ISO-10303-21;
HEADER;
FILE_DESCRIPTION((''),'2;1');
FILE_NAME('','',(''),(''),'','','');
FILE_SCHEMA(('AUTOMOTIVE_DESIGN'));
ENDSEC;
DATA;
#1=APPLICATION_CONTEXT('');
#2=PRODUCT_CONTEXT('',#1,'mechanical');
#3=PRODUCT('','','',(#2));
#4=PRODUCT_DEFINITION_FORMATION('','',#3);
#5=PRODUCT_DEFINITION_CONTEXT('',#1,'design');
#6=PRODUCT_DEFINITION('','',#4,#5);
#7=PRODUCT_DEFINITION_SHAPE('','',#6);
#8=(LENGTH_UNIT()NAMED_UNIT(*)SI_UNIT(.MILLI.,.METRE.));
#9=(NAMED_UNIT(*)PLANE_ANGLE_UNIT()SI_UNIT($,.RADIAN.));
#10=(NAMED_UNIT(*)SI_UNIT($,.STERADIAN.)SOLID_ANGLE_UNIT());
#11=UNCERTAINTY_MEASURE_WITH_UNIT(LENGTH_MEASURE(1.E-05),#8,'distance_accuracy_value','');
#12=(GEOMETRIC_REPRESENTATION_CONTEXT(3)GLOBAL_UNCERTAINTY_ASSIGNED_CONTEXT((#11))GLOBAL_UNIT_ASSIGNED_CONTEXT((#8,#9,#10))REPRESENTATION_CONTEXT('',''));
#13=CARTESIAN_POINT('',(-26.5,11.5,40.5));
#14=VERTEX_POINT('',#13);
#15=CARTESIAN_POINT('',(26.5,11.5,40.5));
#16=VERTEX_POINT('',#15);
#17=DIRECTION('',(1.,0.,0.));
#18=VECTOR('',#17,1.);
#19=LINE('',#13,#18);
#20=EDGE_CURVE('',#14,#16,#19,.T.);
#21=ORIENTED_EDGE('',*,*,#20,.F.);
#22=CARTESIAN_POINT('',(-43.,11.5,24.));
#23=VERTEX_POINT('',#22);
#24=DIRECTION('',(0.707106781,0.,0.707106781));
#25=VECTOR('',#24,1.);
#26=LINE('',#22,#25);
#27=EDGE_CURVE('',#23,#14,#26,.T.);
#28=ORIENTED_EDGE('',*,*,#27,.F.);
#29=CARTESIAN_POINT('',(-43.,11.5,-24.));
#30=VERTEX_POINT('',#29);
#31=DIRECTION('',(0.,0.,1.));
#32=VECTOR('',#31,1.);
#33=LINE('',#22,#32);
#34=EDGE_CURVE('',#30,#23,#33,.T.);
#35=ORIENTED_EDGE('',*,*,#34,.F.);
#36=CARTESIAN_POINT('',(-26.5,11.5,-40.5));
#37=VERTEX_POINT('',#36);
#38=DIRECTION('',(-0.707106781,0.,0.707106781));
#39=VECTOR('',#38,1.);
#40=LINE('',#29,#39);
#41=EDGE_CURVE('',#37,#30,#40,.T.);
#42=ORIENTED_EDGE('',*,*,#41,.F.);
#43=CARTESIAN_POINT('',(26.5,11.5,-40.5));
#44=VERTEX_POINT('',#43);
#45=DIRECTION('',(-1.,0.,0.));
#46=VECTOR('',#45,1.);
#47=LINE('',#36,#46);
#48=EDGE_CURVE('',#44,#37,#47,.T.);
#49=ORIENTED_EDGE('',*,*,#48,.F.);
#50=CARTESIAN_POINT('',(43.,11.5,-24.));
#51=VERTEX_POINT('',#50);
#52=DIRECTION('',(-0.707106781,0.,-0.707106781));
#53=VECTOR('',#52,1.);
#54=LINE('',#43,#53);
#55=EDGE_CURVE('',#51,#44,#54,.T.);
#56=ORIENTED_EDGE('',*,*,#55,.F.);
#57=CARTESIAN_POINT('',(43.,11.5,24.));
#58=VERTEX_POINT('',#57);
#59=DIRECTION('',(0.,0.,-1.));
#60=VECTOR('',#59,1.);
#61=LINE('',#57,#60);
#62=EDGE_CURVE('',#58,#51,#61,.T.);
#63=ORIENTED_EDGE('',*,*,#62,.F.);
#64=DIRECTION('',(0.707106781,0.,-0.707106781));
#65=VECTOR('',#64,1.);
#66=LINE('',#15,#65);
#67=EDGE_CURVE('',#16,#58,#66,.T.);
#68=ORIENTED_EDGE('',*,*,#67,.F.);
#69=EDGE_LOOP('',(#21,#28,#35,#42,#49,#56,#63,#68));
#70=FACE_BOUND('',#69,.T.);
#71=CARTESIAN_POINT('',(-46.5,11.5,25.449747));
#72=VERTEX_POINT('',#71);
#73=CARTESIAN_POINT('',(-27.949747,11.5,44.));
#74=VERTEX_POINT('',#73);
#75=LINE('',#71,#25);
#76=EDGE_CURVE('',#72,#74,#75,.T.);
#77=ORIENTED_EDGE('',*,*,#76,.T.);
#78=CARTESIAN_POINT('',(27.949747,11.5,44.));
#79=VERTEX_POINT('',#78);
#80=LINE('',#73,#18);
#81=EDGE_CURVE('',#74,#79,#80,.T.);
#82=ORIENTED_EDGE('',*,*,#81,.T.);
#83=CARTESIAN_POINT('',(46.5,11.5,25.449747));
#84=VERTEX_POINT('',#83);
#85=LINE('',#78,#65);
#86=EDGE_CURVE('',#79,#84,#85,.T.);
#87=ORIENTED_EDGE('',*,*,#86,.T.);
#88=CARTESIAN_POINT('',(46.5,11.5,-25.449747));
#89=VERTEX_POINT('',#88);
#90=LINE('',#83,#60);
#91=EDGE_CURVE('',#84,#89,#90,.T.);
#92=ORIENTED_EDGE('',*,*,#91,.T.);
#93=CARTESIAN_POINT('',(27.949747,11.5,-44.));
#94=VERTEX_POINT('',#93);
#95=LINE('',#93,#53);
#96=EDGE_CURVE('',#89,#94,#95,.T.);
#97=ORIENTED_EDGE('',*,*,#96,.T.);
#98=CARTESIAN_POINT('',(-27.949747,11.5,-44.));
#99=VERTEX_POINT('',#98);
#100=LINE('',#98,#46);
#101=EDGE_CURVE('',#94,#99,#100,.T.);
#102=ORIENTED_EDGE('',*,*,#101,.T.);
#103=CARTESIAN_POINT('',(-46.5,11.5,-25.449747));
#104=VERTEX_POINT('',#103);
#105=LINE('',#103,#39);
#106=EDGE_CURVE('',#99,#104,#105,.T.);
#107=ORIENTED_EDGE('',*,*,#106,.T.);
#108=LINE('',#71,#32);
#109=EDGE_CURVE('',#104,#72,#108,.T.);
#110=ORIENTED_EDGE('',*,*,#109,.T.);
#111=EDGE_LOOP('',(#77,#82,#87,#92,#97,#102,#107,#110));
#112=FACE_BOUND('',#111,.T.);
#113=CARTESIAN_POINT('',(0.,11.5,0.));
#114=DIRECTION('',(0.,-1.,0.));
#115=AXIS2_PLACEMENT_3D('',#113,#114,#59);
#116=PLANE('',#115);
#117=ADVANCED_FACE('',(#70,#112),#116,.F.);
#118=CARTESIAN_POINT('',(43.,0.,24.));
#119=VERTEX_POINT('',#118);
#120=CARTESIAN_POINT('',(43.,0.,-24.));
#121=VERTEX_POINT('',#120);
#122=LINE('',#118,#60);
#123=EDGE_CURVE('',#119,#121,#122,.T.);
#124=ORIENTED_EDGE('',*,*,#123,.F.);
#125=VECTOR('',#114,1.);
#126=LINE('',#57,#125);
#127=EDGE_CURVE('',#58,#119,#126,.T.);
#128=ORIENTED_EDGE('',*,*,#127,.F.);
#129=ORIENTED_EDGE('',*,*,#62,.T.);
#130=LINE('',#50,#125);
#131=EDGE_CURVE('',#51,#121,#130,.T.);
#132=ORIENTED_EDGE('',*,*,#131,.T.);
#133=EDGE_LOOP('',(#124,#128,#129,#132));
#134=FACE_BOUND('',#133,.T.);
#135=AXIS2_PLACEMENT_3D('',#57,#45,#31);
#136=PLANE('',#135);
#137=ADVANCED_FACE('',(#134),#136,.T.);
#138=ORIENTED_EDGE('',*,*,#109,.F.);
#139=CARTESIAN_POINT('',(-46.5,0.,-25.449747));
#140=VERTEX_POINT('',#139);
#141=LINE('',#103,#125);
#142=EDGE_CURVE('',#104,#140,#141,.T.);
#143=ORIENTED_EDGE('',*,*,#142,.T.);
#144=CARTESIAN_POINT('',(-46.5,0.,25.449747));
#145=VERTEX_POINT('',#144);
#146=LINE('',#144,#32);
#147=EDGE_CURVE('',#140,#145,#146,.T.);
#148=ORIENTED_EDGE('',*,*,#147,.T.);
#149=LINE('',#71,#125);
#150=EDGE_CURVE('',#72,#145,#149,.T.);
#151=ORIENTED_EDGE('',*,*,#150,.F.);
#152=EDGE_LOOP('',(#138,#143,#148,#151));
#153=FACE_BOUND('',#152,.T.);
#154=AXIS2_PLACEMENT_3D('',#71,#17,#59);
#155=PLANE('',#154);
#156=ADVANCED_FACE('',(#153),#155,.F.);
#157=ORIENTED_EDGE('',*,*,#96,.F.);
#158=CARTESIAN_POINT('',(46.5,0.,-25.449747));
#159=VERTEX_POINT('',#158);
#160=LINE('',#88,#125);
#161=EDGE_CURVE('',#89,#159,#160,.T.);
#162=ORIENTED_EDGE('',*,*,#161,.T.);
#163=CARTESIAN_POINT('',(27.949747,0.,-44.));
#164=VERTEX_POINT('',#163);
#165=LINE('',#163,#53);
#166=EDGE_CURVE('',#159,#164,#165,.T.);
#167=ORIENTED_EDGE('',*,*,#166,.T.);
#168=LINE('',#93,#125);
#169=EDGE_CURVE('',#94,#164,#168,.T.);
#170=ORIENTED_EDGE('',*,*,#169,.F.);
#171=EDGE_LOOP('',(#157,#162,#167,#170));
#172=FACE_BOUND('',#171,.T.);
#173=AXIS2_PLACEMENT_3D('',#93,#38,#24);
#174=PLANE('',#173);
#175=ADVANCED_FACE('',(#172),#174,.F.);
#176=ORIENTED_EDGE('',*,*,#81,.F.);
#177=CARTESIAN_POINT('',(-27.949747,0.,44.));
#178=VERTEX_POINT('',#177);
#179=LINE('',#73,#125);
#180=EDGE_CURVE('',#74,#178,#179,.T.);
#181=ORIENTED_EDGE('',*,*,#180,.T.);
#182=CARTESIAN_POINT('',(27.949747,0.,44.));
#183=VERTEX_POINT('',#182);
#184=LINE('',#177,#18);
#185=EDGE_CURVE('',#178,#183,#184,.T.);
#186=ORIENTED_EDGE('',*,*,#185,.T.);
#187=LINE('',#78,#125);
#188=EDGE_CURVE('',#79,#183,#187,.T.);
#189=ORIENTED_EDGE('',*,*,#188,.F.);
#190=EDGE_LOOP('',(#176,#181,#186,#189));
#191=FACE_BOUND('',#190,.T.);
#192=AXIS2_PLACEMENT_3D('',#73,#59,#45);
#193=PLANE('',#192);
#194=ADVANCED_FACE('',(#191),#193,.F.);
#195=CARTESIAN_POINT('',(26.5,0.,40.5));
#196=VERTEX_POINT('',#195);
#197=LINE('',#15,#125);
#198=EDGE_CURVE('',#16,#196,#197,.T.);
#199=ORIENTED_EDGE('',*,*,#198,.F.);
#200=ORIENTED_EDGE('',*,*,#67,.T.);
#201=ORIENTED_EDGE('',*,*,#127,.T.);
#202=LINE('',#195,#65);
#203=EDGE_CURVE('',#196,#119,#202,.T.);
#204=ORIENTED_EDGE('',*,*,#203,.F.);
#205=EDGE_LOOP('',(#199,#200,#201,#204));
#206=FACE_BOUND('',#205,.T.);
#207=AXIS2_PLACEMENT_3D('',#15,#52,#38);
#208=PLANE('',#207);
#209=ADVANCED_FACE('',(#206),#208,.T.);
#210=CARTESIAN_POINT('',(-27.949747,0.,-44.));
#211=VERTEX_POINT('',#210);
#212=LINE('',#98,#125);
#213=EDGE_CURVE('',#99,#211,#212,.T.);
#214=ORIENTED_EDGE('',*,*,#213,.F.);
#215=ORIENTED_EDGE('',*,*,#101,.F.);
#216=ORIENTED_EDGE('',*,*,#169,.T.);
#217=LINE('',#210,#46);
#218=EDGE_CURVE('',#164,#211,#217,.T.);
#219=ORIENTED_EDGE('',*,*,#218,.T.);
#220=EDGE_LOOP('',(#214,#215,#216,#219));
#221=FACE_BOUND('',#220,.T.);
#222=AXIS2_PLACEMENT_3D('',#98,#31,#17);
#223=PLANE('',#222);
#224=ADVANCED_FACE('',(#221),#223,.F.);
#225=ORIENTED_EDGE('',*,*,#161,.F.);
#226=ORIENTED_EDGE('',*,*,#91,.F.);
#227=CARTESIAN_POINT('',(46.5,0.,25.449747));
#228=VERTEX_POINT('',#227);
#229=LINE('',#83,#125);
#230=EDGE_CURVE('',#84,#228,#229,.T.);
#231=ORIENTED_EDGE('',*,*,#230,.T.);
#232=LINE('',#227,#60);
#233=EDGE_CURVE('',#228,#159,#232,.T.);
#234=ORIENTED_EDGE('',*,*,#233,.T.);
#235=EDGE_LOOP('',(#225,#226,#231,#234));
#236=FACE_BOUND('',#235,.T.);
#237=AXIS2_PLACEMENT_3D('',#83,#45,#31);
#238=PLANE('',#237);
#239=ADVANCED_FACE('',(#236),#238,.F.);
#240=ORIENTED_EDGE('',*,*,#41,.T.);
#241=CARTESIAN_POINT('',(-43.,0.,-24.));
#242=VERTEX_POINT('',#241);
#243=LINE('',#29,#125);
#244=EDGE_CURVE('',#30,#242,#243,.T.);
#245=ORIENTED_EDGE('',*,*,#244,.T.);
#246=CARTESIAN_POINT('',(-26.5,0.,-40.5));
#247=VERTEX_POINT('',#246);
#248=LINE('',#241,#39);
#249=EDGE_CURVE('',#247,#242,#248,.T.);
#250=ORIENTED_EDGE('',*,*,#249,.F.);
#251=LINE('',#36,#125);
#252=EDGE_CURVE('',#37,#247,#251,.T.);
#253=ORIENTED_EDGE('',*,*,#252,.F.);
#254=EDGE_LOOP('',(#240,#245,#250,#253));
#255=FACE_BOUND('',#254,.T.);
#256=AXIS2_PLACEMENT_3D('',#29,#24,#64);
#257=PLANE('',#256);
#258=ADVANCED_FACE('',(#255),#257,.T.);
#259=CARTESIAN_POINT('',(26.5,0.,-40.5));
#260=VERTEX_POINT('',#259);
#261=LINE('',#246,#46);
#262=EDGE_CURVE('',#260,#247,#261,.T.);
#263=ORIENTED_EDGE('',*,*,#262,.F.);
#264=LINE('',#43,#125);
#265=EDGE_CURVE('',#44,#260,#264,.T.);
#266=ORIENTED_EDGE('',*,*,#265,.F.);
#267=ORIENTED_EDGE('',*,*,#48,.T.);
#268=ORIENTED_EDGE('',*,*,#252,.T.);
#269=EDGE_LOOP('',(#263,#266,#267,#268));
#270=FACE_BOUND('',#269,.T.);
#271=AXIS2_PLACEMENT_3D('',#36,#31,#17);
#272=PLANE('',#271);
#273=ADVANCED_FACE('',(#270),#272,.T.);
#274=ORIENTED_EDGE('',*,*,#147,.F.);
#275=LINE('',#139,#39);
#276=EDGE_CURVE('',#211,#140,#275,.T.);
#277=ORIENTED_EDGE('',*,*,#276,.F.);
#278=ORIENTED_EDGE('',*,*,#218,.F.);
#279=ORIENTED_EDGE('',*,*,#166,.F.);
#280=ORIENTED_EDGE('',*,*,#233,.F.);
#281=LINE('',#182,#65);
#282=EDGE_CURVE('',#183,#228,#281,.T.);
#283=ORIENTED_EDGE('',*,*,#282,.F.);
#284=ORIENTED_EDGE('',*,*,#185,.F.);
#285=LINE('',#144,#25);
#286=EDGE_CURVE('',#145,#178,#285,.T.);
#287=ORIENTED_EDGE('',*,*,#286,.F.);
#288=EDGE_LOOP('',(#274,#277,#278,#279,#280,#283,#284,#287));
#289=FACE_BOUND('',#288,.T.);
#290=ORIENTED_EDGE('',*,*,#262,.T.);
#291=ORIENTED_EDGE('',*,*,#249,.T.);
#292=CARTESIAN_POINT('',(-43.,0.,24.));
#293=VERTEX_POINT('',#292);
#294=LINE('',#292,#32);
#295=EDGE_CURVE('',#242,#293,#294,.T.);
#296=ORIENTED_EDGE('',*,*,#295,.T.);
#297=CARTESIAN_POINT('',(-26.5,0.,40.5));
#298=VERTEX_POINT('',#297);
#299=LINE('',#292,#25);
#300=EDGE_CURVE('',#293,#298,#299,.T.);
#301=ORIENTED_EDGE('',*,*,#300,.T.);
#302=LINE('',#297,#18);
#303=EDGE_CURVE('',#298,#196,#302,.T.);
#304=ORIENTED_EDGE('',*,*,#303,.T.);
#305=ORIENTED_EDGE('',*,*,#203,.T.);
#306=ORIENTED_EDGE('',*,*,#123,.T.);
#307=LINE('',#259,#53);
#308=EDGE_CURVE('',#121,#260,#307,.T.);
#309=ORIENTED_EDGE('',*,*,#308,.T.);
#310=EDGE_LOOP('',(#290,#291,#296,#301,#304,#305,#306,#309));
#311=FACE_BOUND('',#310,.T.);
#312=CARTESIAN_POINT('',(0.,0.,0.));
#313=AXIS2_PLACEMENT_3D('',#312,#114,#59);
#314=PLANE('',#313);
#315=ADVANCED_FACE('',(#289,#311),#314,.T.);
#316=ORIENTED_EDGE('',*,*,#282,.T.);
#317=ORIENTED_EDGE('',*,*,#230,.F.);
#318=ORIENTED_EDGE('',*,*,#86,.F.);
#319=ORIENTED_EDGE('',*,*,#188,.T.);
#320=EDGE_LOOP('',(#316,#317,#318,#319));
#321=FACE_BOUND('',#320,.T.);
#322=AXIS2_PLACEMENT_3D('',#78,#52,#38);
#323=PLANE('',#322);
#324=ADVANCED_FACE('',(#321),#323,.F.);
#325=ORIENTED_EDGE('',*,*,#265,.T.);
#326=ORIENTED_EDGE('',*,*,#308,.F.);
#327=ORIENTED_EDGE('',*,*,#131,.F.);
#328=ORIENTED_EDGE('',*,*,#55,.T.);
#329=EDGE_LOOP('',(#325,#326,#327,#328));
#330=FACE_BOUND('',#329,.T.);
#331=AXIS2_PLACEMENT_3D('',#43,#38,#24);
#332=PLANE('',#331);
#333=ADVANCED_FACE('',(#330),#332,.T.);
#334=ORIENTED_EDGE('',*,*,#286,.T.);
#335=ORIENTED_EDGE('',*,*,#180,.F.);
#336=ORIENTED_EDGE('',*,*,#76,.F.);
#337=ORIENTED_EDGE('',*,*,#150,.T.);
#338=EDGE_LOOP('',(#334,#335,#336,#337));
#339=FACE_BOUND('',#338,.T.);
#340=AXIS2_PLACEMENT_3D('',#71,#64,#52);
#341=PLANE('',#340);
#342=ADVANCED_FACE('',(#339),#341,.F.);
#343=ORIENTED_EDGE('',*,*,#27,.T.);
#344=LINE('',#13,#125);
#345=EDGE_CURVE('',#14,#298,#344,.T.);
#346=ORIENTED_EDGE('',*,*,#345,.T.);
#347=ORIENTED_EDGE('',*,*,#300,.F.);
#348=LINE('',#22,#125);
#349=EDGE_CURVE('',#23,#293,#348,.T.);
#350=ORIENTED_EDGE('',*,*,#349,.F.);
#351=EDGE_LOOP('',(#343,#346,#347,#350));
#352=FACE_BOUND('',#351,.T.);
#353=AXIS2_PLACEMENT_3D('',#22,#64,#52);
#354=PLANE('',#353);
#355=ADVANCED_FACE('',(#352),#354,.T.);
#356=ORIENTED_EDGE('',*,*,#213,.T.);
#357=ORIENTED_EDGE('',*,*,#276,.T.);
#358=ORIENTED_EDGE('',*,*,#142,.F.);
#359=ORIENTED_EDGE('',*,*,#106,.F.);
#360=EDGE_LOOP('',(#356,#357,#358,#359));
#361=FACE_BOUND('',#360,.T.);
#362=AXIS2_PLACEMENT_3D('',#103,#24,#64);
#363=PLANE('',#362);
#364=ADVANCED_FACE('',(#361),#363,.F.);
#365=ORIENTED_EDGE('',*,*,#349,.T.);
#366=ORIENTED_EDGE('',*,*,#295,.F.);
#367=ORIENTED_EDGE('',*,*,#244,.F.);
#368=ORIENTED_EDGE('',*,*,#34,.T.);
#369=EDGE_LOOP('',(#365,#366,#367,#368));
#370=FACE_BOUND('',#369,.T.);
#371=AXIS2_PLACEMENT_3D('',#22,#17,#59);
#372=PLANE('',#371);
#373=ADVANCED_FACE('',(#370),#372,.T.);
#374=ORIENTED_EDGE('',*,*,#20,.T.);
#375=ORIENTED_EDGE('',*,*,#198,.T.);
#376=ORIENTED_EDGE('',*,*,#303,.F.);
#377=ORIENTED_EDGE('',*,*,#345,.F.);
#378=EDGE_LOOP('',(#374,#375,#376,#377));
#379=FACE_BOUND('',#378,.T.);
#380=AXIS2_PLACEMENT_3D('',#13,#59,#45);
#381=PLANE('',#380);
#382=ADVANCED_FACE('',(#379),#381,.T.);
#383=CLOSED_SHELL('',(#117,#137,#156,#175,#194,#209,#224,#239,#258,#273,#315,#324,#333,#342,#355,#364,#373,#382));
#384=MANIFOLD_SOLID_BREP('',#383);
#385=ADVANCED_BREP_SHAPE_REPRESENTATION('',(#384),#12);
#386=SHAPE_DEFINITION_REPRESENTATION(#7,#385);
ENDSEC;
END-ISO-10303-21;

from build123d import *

# Parameters (mm, degrees)
BOSS_EXTRUDE1_DEPTH = 11.5


with BuildPart() as part:
    # Sketch1 → Boss-Extrude1 (new body)
    with BuildSketch(Plane(origin=(0, 0, 0), x_dir=(1, 0, 0), z_dir=(0, 1, 0))):
        Polygon((-46.5, 25.449747468), (-27.949747468, 44), (27.949747468, 44), (46.5, 25.449747468), (46.5, -25.449747468), (27.949747468, -44), (-27.949747468, -44), (-46.5, -25.449747468), align=None)
        Polygon((-43, 24), (-26.5, 40.5), (26.5, 40.5), (43, 24), (43, -24), (26.5, -40.5), (-26.5, -40.5), (-43, -24), align=None, mode=Mode.SUBTRACT)
    extrude(amount=BOSS_EXTRUDE1_DEPTH)


solid = part.part
